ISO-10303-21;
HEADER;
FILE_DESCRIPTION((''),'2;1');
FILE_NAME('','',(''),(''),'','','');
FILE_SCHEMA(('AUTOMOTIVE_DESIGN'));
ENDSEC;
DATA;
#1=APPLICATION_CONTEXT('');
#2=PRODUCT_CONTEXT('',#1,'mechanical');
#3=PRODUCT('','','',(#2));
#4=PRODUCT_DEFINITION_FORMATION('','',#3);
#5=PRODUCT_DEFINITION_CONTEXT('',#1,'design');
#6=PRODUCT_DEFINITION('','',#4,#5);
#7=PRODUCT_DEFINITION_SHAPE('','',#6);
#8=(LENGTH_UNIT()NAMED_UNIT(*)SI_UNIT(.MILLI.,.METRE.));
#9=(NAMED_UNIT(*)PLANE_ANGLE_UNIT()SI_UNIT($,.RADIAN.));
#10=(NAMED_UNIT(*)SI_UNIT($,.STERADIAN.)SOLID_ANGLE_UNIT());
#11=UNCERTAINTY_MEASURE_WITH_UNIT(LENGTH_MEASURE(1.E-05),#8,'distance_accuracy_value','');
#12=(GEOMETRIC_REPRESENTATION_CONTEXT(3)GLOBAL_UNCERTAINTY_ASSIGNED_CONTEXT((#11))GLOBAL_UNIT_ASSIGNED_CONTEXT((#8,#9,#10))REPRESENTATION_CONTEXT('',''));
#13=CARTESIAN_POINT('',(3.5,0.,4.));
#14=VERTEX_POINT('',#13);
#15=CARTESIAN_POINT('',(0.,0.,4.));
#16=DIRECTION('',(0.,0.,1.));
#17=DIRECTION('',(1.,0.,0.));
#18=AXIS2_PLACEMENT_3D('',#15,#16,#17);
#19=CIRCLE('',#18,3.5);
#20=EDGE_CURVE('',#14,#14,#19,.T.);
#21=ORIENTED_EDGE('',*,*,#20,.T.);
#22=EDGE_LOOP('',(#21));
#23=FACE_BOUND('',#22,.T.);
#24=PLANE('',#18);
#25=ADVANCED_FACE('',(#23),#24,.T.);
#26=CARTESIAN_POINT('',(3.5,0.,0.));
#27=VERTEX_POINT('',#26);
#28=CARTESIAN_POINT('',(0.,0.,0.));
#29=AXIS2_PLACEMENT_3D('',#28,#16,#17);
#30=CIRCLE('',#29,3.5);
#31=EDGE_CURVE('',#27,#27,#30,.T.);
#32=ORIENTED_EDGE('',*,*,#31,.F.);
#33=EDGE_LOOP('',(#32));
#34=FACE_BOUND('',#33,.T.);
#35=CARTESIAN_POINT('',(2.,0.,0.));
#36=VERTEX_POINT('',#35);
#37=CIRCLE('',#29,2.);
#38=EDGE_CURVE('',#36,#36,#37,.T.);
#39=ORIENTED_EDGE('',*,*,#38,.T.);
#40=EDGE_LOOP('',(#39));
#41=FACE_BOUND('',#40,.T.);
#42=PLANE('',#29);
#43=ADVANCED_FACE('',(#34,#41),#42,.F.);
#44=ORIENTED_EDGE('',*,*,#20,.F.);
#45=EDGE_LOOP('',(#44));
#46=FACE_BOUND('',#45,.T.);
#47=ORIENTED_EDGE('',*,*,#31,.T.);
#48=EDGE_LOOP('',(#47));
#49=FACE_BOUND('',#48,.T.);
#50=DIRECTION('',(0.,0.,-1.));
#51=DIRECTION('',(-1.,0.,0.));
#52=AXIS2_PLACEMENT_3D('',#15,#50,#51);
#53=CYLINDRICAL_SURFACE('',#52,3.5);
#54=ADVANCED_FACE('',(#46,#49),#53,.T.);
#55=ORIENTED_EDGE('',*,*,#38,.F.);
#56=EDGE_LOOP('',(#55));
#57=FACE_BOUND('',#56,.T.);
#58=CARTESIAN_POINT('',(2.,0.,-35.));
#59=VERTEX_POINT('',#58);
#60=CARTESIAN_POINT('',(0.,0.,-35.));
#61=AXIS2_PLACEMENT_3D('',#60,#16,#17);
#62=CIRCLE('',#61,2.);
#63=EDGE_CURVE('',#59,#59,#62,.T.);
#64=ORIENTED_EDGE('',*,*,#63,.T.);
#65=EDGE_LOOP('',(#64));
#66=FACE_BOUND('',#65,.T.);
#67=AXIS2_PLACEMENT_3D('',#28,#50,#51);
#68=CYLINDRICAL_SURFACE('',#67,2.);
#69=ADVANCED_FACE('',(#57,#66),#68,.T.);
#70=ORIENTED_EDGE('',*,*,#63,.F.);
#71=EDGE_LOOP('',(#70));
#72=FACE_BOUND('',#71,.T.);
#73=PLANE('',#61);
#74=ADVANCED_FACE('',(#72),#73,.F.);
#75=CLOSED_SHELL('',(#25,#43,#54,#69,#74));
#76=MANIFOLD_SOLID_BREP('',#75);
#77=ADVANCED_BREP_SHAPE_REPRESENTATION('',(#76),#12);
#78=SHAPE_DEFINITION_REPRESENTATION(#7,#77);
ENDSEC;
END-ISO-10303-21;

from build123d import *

# Parameters (mm, degrees)
SHANK_NOMINAL_THREAD_ENVELOPE_START     = -35
SHANK_NOMINAL_THREAD_ENVELOPE_PROFILE_R = 2
SHANK_NOMINAL_THREAD_ENVELOPE_DEPTH     = 35
SOCKET_HEAD_ENVELOPE_PROFILE_R          = 3.5
SOCKET_HEAD_ENVELOPE_DEPTH              = 4


with BuildPart() as part:
    # Shank_nominal_thread_envelope_profile → Shank_nominal_thread_envelope (new body)
    with BuildSketch(Plane.XY.offset(SHANK_NOMINAL_THREAD_ENVELOPE_START)):
        Circle(SHANK_NOMINAL_THREAD_ENVELOPE_PROFILE_R)
    extrude(amount=SHANK_NOMINAL_THREAD_ENVELOPE_DEPTH)

    # Socket_head_envelope_profile → Socket_head_envelope (add)
    with BuildSketch(Plane.XY):
        Circle(SOCKET_HEAD_ENVELOPE_PROFILE_R)
    extrude(amount=SOCKET_HEAD_ENVELOPE_DEPTH)


solid = part.part
